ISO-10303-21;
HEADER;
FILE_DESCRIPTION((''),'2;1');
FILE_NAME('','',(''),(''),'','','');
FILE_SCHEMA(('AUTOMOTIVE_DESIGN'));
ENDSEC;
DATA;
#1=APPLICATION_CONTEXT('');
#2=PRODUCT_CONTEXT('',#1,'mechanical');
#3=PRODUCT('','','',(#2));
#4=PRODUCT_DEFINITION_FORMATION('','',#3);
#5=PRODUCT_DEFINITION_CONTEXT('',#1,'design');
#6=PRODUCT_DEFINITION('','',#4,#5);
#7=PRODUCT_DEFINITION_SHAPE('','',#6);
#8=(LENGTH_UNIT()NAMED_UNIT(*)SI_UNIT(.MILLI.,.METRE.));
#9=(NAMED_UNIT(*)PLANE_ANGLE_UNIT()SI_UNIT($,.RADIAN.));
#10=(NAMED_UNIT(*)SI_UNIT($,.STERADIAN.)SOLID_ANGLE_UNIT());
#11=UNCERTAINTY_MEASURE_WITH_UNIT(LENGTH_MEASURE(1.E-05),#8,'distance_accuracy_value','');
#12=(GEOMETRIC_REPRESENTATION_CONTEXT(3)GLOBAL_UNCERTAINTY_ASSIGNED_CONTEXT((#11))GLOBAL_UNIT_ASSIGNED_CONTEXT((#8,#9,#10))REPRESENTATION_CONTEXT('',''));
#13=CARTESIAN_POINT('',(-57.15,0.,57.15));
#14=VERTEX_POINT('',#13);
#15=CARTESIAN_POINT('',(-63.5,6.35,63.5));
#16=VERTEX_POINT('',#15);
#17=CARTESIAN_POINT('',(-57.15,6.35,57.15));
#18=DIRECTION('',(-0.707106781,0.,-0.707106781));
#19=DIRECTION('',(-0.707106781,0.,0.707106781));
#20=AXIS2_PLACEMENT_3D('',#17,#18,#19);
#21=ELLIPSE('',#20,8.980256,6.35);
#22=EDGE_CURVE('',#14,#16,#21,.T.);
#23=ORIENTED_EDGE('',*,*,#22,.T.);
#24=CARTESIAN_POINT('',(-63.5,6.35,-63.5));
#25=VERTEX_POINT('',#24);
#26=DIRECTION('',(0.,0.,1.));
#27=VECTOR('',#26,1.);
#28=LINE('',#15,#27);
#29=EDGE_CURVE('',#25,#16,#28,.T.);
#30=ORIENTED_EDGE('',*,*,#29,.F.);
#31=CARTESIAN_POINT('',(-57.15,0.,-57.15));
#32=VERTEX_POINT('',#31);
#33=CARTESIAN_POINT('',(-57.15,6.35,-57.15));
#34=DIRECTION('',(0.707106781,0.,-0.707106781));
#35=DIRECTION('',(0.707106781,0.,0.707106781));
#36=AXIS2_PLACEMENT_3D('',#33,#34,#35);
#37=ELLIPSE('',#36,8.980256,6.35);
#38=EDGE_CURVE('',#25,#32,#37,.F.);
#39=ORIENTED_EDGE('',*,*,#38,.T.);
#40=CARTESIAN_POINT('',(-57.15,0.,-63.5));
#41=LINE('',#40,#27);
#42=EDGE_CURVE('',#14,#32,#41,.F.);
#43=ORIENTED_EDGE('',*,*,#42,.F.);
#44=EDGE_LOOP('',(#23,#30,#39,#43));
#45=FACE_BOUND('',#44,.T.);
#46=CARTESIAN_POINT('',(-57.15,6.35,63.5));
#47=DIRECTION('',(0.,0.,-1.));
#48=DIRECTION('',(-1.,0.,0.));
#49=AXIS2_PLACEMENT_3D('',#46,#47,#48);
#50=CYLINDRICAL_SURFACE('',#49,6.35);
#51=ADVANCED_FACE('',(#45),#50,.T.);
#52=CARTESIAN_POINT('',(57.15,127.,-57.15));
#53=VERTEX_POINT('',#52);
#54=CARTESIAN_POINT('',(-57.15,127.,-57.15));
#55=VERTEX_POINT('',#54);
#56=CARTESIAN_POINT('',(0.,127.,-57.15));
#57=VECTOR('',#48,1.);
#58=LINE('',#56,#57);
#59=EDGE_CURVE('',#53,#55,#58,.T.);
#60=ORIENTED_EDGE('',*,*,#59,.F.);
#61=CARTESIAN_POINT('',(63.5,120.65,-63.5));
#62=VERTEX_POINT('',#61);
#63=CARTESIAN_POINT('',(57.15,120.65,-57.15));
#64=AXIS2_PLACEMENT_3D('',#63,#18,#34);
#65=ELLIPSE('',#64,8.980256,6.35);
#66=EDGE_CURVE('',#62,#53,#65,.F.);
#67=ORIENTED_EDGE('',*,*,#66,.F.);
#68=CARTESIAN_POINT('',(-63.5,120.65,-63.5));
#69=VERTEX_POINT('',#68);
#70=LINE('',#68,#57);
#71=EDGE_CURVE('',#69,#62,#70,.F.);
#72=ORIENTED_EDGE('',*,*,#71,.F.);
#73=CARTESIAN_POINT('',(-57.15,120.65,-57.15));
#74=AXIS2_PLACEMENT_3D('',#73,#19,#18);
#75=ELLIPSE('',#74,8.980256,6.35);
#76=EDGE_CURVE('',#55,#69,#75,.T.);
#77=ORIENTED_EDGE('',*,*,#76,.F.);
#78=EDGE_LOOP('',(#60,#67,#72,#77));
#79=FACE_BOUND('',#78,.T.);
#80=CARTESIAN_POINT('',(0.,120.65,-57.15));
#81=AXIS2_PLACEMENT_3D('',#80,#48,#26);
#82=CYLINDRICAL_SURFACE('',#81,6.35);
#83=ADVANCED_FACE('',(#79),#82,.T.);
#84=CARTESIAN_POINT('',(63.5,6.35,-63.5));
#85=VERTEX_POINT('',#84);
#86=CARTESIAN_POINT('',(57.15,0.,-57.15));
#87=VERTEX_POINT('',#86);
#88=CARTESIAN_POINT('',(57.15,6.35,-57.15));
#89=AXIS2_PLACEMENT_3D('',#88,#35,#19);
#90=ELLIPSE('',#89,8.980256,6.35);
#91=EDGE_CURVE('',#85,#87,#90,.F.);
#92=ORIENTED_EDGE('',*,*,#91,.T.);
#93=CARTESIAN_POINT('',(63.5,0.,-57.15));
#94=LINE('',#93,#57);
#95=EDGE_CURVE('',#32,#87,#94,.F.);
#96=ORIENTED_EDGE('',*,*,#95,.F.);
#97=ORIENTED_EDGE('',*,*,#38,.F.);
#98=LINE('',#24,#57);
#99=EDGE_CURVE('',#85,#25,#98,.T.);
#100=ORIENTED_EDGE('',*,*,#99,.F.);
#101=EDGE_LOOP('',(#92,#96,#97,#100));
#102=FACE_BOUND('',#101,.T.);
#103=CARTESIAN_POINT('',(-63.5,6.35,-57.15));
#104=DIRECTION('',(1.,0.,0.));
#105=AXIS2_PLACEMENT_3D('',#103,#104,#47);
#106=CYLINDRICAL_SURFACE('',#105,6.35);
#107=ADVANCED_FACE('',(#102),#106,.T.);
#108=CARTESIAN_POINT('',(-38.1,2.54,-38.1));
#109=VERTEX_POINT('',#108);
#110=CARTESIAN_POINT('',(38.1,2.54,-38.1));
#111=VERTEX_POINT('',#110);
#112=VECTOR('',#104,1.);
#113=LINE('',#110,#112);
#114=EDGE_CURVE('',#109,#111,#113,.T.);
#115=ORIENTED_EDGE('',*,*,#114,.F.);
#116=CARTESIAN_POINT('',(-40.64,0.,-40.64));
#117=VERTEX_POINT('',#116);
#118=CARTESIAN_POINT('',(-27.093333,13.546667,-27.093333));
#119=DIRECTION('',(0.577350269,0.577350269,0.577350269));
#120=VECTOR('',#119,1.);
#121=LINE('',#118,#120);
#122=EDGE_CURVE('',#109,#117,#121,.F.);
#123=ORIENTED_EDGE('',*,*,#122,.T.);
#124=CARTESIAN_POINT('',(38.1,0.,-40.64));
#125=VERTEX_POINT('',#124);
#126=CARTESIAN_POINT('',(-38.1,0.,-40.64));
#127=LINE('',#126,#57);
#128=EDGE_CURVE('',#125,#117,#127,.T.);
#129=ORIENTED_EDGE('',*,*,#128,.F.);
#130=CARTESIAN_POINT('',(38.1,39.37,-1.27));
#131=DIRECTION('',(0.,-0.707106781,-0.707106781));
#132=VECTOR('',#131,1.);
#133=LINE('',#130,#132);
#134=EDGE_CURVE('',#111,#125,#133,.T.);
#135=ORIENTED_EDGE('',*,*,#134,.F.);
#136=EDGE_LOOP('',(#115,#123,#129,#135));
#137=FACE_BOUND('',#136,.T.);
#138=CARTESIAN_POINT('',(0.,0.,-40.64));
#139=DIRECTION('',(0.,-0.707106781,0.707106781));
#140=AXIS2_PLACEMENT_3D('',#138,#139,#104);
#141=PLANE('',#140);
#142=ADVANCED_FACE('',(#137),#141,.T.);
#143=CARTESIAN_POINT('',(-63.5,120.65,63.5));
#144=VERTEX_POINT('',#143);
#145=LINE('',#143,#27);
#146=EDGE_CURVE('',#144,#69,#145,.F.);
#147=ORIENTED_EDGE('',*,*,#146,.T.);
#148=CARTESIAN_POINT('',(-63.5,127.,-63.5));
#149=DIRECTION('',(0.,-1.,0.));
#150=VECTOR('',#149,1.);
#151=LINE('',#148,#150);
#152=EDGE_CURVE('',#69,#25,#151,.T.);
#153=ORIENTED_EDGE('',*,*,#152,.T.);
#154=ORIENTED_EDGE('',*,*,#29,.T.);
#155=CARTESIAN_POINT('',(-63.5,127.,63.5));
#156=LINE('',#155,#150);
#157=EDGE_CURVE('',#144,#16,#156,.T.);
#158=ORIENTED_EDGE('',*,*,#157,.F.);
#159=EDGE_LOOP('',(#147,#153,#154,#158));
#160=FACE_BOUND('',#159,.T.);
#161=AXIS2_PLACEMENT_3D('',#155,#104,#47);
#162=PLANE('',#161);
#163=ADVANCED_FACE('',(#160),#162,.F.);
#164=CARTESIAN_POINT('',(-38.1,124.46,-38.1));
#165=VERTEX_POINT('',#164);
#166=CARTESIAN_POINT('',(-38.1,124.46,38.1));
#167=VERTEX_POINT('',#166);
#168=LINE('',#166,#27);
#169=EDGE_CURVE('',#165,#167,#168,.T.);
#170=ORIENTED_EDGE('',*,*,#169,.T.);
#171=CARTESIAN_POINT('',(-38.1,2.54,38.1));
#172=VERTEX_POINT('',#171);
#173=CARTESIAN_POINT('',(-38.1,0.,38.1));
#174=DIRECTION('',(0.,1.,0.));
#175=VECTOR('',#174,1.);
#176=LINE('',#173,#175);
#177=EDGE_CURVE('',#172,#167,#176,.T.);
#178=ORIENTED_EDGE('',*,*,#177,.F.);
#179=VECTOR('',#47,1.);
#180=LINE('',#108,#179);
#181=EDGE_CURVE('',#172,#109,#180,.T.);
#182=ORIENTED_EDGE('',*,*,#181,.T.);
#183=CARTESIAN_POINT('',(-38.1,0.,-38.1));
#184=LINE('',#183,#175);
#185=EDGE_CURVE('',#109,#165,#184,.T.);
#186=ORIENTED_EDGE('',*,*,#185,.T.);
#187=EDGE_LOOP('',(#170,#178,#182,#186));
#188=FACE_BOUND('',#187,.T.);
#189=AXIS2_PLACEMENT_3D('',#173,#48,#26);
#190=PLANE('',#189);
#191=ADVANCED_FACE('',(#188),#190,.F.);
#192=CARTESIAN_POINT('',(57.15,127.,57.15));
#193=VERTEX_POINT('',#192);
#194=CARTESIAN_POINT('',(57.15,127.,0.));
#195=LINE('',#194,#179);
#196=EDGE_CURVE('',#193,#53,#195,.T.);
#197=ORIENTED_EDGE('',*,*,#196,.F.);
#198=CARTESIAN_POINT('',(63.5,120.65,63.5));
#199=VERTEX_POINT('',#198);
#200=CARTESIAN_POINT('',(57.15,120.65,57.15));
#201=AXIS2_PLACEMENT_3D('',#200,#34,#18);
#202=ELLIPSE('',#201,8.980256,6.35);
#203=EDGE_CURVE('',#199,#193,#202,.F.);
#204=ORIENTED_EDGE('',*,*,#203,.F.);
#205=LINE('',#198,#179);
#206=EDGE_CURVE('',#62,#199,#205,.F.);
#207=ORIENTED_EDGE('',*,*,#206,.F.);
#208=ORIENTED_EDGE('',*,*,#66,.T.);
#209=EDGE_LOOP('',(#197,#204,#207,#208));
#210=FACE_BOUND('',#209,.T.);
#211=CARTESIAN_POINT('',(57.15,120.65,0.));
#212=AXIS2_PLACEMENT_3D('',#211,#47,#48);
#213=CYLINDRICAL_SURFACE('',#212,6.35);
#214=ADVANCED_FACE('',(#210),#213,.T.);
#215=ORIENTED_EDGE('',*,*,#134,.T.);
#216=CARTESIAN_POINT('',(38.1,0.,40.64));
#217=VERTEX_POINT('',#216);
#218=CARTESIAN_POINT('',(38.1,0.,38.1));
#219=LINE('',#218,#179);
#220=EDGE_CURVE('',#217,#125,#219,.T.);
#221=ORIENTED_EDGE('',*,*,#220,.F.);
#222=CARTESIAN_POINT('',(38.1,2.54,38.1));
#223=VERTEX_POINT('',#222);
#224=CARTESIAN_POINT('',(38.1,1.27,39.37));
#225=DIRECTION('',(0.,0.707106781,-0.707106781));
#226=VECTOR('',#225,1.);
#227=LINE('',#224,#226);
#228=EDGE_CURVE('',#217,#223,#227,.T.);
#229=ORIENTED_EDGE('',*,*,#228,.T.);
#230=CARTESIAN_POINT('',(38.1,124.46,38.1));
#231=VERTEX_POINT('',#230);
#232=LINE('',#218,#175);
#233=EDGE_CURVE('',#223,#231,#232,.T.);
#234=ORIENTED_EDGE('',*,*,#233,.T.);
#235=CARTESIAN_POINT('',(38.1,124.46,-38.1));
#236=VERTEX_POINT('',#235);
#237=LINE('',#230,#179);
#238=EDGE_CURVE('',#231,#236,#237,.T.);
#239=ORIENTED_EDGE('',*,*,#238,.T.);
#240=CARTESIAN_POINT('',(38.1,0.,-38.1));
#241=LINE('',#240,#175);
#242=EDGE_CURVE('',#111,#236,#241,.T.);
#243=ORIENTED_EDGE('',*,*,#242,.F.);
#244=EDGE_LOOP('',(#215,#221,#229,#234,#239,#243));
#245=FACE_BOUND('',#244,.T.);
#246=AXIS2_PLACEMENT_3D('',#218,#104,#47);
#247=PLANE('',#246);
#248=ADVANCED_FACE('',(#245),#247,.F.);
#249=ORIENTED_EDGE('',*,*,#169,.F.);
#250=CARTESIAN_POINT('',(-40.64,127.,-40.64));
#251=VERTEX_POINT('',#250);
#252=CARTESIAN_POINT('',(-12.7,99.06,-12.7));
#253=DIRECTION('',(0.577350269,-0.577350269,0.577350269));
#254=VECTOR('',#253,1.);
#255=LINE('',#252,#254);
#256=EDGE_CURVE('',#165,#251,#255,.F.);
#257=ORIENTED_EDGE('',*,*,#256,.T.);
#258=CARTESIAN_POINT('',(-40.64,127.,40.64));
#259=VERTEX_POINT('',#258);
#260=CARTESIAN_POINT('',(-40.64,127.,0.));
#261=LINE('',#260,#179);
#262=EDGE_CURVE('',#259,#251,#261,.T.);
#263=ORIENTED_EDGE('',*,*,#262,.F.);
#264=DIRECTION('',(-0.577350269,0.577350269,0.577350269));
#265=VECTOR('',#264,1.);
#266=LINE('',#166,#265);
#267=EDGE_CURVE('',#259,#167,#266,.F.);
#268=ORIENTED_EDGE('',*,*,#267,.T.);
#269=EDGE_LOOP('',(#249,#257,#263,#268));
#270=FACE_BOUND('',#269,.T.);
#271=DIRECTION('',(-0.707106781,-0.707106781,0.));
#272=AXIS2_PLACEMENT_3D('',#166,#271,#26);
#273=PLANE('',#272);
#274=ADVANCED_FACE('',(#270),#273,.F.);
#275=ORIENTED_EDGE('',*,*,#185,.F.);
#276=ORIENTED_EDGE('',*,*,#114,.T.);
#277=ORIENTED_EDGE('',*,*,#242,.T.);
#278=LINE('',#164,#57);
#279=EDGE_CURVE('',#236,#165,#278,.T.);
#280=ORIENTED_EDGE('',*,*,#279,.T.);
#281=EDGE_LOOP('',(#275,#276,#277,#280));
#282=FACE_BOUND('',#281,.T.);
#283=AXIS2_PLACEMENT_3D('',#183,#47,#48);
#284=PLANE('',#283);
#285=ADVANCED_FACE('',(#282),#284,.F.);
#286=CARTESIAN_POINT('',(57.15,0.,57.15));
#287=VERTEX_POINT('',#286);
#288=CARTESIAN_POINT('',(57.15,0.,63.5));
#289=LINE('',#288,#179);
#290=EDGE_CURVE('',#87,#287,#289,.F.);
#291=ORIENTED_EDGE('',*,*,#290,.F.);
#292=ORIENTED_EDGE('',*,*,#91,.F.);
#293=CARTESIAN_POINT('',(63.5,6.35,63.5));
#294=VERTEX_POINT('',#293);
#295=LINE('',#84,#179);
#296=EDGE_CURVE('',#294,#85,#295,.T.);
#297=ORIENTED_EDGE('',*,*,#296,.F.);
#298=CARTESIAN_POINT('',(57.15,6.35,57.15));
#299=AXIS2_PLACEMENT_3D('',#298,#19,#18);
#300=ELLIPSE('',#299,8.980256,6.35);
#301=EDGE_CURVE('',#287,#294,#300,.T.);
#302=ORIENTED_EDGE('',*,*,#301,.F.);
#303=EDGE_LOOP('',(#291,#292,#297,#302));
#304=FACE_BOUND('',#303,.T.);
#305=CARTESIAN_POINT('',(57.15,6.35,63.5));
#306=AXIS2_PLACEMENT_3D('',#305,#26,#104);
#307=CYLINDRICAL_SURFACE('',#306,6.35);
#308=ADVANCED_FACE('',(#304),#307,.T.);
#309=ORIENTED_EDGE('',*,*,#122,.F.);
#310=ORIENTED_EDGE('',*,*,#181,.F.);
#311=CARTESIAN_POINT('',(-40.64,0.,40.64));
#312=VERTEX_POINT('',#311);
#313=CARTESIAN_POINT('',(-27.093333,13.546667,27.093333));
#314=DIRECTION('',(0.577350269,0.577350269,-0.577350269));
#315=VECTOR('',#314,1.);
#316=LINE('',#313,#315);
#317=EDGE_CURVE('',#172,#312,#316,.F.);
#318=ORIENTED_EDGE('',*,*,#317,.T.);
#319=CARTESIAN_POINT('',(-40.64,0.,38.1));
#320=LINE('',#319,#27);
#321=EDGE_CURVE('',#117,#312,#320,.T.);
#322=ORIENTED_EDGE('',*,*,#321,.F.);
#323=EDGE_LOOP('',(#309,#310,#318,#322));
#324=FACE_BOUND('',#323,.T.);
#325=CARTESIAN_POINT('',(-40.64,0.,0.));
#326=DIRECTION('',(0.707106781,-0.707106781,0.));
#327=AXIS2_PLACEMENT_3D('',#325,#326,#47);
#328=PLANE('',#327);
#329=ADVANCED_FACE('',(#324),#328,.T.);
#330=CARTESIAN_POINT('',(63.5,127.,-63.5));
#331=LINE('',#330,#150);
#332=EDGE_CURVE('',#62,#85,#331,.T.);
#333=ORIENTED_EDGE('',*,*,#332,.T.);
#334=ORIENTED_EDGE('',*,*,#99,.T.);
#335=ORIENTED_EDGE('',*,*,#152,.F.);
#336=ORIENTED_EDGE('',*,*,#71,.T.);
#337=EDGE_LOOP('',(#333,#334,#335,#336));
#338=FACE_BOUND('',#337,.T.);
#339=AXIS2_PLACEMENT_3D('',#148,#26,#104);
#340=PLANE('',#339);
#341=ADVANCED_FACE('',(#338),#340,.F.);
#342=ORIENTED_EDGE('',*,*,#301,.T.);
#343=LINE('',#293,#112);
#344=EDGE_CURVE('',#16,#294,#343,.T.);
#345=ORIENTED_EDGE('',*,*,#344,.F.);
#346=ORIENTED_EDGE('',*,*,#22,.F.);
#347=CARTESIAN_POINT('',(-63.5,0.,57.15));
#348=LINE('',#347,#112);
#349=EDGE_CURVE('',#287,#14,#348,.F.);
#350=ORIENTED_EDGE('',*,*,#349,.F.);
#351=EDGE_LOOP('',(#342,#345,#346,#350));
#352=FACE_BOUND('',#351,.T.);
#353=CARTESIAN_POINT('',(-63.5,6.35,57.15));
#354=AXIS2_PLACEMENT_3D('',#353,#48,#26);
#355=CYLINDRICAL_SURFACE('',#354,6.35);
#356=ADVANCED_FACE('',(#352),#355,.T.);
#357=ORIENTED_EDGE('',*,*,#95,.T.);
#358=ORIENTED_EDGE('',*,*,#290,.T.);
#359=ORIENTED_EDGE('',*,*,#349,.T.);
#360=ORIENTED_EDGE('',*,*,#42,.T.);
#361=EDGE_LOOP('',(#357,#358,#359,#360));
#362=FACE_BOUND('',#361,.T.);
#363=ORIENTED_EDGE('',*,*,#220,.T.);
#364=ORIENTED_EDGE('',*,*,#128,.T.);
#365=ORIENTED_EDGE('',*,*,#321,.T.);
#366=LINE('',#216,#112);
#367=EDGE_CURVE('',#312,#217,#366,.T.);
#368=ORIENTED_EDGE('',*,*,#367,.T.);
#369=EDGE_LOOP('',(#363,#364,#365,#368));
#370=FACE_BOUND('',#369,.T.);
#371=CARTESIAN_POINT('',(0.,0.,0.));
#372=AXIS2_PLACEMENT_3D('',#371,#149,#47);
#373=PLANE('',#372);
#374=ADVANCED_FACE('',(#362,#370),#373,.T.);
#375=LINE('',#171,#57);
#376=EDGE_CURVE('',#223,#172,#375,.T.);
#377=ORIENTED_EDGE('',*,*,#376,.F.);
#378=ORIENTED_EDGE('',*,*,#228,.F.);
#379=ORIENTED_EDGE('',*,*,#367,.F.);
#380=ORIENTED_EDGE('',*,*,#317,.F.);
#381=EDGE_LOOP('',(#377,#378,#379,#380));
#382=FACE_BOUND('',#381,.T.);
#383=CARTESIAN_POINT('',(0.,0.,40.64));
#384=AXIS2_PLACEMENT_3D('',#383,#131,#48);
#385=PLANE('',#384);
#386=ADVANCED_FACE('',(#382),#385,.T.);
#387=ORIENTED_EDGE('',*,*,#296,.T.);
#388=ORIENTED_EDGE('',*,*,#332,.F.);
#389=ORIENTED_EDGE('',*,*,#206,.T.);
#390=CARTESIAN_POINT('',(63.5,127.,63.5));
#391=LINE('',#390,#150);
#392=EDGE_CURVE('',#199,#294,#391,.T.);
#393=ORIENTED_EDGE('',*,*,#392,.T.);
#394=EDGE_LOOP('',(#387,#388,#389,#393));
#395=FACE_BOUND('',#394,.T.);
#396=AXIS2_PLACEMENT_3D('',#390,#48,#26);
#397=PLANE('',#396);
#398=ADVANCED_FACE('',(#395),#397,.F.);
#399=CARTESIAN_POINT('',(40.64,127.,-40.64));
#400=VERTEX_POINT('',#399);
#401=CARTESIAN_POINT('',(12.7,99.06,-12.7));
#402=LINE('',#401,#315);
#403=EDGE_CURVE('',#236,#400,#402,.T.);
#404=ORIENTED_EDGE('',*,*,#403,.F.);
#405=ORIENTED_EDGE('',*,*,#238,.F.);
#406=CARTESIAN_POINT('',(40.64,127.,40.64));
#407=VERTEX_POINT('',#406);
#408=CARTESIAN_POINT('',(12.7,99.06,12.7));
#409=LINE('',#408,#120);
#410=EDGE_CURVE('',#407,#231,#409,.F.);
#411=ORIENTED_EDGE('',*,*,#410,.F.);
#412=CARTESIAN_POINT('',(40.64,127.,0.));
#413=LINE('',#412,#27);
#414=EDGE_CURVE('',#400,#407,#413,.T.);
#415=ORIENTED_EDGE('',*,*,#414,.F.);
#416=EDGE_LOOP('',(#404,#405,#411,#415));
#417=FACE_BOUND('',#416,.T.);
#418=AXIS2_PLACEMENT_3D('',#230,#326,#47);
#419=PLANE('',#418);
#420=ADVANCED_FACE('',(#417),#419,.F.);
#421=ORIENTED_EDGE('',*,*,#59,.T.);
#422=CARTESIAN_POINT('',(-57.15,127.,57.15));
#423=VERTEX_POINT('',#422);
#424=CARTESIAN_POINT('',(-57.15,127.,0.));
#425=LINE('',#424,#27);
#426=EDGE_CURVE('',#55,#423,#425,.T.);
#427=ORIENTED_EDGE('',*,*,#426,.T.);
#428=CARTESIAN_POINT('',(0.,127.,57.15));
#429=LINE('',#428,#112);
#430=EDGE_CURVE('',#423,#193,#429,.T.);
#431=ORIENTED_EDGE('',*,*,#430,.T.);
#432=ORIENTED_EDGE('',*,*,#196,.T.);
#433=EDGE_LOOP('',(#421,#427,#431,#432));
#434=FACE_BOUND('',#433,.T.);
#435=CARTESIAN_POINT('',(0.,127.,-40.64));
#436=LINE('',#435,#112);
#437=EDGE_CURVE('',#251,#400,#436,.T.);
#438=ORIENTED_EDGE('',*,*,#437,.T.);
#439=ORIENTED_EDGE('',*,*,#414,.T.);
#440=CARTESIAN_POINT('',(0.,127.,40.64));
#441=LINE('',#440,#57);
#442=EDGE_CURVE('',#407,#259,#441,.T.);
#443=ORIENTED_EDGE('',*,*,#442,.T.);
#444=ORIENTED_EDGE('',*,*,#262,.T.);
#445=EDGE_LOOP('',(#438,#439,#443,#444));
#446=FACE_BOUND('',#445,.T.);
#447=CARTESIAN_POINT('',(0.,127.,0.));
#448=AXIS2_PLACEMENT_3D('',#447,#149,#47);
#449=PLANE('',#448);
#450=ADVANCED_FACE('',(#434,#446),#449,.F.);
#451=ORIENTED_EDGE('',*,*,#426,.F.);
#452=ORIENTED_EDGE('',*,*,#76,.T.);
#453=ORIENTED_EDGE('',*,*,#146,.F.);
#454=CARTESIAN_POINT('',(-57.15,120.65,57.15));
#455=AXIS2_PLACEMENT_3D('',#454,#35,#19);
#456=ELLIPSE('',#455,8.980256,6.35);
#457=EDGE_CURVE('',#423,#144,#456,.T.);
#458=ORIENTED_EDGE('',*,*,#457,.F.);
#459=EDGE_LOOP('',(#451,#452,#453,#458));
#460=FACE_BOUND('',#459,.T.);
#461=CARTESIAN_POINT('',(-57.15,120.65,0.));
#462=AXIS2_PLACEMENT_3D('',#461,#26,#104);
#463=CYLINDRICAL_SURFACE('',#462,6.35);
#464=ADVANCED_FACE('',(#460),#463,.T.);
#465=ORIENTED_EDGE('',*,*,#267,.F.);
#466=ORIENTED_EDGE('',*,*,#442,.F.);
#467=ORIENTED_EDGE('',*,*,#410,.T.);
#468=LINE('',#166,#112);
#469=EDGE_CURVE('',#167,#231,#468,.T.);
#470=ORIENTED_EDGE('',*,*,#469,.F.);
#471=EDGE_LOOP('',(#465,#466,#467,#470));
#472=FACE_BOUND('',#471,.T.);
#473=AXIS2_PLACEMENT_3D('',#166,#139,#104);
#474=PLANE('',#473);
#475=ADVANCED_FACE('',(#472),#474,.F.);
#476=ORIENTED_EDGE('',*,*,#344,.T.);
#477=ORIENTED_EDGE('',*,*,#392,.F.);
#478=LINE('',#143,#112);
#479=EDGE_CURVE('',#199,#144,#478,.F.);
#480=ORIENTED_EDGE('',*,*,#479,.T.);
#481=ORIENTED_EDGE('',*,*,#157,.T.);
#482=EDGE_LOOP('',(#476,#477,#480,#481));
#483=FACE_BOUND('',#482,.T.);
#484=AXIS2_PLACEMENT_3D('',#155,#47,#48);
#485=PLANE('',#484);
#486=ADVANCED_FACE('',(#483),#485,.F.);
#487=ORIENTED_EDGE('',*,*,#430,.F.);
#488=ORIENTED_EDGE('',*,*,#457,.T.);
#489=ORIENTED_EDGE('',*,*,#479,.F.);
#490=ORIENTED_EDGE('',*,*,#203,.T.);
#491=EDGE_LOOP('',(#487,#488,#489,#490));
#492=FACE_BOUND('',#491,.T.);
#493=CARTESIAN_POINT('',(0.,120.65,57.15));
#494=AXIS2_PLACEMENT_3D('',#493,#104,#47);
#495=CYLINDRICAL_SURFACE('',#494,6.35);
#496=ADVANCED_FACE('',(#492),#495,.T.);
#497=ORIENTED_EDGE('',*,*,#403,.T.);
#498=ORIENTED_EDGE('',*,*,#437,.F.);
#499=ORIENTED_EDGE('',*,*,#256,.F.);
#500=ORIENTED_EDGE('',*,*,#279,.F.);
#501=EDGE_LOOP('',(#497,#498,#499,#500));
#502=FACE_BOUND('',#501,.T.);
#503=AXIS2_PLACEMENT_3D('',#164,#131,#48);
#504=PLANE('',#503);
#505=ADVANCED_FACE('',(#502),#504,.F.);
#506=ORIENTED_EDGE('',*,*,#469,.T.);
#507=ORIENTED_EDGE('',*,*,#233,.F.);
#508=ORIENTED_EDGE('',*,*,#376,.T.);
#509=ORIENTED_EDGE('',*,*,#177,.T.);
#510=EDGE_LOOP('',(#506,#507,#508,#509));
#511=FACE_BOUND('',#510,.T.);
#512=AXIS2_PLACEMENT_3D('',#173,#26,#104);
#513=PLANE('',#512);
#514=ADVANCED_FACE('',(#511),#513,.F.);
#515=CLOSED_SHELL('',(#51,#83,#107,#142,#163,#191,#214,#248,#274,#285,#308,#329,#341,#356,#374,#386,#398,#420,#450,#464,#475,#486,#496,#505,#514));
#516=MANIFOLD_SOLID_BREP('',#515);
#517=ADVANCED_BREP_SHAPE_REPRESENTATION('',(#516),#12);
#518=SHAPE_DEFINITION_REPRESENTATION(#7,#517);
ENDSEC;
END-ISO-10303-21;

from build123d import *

# Parameters (mm, degrees)
SKETCH1_W           = 127
SKETCH1_H           = 127
BOSS_EXTRUDE1_DEPTH = 127
SKETCH2_W           = 76.2
SKETCH2_H           = 76.2
CUT_EXTRUDE1_DEPTH  = 156.542598667
CHAMFER1_SIZE       = 2.54
FILLET1_R           = 6.35


with BuildPart() as part:
    # Sketch1 → Boss-Extrude1 (new body)
    with BuildSketch(Plane(origin=(0, 0, 0), x_dir=(1, 0, 0), z_dir=(0, 1, 0))):
        Rectangle(SKETCH1_W, SKETCH1_H)
    extrude(amount=BOSS_EXTRUDE1_DEPTH)

    # Sketch2 → Cut-Extrude1 (cut, through all)
    with BuildSketch(Plane(origin=(0, 127, 0), x_dir=(1, 0, 0), z_dir=(0, 1, 0))):
        Rectangle(SKETCH2_W, SKETCH2_H)
    extrude(amount=-CUT_EXTRUDE1_DEPTH, mode=Mode.SUBTRACT)

    # Chamfer1
    chamfer1_edges = [part.edges().sort_by_distance(p)[0] for p in [
        (0, 0, 38.1),
        (-38.1, 0, 0),
        (0, 0, -38.1),
        (38.1, 127, 0),
        (0, 127, -38.1),
        (-38.1, 127, 0),
        (0, 127, 38.1),
    ]]
    chamfer(chamfer1_edges, length=CHAMFER1_SIZE)

    # Fillet1
    fillet1_edges = [part.edges().sort_by_distance(p)[0] for p in [
        (-63.5, 127, 0),
        (0, 127, 63.5),
        (63.5, 127, 0),
        (0, 0, 63.5),
        (-63.5, 0, 0),
        (0, 0, -63.5),
        (63.5, 0, 0),
        (0, 127, -63.5),
    ]]
    fillet(fillet1_edges, radius=FILLET1_R)


solid = part.part
